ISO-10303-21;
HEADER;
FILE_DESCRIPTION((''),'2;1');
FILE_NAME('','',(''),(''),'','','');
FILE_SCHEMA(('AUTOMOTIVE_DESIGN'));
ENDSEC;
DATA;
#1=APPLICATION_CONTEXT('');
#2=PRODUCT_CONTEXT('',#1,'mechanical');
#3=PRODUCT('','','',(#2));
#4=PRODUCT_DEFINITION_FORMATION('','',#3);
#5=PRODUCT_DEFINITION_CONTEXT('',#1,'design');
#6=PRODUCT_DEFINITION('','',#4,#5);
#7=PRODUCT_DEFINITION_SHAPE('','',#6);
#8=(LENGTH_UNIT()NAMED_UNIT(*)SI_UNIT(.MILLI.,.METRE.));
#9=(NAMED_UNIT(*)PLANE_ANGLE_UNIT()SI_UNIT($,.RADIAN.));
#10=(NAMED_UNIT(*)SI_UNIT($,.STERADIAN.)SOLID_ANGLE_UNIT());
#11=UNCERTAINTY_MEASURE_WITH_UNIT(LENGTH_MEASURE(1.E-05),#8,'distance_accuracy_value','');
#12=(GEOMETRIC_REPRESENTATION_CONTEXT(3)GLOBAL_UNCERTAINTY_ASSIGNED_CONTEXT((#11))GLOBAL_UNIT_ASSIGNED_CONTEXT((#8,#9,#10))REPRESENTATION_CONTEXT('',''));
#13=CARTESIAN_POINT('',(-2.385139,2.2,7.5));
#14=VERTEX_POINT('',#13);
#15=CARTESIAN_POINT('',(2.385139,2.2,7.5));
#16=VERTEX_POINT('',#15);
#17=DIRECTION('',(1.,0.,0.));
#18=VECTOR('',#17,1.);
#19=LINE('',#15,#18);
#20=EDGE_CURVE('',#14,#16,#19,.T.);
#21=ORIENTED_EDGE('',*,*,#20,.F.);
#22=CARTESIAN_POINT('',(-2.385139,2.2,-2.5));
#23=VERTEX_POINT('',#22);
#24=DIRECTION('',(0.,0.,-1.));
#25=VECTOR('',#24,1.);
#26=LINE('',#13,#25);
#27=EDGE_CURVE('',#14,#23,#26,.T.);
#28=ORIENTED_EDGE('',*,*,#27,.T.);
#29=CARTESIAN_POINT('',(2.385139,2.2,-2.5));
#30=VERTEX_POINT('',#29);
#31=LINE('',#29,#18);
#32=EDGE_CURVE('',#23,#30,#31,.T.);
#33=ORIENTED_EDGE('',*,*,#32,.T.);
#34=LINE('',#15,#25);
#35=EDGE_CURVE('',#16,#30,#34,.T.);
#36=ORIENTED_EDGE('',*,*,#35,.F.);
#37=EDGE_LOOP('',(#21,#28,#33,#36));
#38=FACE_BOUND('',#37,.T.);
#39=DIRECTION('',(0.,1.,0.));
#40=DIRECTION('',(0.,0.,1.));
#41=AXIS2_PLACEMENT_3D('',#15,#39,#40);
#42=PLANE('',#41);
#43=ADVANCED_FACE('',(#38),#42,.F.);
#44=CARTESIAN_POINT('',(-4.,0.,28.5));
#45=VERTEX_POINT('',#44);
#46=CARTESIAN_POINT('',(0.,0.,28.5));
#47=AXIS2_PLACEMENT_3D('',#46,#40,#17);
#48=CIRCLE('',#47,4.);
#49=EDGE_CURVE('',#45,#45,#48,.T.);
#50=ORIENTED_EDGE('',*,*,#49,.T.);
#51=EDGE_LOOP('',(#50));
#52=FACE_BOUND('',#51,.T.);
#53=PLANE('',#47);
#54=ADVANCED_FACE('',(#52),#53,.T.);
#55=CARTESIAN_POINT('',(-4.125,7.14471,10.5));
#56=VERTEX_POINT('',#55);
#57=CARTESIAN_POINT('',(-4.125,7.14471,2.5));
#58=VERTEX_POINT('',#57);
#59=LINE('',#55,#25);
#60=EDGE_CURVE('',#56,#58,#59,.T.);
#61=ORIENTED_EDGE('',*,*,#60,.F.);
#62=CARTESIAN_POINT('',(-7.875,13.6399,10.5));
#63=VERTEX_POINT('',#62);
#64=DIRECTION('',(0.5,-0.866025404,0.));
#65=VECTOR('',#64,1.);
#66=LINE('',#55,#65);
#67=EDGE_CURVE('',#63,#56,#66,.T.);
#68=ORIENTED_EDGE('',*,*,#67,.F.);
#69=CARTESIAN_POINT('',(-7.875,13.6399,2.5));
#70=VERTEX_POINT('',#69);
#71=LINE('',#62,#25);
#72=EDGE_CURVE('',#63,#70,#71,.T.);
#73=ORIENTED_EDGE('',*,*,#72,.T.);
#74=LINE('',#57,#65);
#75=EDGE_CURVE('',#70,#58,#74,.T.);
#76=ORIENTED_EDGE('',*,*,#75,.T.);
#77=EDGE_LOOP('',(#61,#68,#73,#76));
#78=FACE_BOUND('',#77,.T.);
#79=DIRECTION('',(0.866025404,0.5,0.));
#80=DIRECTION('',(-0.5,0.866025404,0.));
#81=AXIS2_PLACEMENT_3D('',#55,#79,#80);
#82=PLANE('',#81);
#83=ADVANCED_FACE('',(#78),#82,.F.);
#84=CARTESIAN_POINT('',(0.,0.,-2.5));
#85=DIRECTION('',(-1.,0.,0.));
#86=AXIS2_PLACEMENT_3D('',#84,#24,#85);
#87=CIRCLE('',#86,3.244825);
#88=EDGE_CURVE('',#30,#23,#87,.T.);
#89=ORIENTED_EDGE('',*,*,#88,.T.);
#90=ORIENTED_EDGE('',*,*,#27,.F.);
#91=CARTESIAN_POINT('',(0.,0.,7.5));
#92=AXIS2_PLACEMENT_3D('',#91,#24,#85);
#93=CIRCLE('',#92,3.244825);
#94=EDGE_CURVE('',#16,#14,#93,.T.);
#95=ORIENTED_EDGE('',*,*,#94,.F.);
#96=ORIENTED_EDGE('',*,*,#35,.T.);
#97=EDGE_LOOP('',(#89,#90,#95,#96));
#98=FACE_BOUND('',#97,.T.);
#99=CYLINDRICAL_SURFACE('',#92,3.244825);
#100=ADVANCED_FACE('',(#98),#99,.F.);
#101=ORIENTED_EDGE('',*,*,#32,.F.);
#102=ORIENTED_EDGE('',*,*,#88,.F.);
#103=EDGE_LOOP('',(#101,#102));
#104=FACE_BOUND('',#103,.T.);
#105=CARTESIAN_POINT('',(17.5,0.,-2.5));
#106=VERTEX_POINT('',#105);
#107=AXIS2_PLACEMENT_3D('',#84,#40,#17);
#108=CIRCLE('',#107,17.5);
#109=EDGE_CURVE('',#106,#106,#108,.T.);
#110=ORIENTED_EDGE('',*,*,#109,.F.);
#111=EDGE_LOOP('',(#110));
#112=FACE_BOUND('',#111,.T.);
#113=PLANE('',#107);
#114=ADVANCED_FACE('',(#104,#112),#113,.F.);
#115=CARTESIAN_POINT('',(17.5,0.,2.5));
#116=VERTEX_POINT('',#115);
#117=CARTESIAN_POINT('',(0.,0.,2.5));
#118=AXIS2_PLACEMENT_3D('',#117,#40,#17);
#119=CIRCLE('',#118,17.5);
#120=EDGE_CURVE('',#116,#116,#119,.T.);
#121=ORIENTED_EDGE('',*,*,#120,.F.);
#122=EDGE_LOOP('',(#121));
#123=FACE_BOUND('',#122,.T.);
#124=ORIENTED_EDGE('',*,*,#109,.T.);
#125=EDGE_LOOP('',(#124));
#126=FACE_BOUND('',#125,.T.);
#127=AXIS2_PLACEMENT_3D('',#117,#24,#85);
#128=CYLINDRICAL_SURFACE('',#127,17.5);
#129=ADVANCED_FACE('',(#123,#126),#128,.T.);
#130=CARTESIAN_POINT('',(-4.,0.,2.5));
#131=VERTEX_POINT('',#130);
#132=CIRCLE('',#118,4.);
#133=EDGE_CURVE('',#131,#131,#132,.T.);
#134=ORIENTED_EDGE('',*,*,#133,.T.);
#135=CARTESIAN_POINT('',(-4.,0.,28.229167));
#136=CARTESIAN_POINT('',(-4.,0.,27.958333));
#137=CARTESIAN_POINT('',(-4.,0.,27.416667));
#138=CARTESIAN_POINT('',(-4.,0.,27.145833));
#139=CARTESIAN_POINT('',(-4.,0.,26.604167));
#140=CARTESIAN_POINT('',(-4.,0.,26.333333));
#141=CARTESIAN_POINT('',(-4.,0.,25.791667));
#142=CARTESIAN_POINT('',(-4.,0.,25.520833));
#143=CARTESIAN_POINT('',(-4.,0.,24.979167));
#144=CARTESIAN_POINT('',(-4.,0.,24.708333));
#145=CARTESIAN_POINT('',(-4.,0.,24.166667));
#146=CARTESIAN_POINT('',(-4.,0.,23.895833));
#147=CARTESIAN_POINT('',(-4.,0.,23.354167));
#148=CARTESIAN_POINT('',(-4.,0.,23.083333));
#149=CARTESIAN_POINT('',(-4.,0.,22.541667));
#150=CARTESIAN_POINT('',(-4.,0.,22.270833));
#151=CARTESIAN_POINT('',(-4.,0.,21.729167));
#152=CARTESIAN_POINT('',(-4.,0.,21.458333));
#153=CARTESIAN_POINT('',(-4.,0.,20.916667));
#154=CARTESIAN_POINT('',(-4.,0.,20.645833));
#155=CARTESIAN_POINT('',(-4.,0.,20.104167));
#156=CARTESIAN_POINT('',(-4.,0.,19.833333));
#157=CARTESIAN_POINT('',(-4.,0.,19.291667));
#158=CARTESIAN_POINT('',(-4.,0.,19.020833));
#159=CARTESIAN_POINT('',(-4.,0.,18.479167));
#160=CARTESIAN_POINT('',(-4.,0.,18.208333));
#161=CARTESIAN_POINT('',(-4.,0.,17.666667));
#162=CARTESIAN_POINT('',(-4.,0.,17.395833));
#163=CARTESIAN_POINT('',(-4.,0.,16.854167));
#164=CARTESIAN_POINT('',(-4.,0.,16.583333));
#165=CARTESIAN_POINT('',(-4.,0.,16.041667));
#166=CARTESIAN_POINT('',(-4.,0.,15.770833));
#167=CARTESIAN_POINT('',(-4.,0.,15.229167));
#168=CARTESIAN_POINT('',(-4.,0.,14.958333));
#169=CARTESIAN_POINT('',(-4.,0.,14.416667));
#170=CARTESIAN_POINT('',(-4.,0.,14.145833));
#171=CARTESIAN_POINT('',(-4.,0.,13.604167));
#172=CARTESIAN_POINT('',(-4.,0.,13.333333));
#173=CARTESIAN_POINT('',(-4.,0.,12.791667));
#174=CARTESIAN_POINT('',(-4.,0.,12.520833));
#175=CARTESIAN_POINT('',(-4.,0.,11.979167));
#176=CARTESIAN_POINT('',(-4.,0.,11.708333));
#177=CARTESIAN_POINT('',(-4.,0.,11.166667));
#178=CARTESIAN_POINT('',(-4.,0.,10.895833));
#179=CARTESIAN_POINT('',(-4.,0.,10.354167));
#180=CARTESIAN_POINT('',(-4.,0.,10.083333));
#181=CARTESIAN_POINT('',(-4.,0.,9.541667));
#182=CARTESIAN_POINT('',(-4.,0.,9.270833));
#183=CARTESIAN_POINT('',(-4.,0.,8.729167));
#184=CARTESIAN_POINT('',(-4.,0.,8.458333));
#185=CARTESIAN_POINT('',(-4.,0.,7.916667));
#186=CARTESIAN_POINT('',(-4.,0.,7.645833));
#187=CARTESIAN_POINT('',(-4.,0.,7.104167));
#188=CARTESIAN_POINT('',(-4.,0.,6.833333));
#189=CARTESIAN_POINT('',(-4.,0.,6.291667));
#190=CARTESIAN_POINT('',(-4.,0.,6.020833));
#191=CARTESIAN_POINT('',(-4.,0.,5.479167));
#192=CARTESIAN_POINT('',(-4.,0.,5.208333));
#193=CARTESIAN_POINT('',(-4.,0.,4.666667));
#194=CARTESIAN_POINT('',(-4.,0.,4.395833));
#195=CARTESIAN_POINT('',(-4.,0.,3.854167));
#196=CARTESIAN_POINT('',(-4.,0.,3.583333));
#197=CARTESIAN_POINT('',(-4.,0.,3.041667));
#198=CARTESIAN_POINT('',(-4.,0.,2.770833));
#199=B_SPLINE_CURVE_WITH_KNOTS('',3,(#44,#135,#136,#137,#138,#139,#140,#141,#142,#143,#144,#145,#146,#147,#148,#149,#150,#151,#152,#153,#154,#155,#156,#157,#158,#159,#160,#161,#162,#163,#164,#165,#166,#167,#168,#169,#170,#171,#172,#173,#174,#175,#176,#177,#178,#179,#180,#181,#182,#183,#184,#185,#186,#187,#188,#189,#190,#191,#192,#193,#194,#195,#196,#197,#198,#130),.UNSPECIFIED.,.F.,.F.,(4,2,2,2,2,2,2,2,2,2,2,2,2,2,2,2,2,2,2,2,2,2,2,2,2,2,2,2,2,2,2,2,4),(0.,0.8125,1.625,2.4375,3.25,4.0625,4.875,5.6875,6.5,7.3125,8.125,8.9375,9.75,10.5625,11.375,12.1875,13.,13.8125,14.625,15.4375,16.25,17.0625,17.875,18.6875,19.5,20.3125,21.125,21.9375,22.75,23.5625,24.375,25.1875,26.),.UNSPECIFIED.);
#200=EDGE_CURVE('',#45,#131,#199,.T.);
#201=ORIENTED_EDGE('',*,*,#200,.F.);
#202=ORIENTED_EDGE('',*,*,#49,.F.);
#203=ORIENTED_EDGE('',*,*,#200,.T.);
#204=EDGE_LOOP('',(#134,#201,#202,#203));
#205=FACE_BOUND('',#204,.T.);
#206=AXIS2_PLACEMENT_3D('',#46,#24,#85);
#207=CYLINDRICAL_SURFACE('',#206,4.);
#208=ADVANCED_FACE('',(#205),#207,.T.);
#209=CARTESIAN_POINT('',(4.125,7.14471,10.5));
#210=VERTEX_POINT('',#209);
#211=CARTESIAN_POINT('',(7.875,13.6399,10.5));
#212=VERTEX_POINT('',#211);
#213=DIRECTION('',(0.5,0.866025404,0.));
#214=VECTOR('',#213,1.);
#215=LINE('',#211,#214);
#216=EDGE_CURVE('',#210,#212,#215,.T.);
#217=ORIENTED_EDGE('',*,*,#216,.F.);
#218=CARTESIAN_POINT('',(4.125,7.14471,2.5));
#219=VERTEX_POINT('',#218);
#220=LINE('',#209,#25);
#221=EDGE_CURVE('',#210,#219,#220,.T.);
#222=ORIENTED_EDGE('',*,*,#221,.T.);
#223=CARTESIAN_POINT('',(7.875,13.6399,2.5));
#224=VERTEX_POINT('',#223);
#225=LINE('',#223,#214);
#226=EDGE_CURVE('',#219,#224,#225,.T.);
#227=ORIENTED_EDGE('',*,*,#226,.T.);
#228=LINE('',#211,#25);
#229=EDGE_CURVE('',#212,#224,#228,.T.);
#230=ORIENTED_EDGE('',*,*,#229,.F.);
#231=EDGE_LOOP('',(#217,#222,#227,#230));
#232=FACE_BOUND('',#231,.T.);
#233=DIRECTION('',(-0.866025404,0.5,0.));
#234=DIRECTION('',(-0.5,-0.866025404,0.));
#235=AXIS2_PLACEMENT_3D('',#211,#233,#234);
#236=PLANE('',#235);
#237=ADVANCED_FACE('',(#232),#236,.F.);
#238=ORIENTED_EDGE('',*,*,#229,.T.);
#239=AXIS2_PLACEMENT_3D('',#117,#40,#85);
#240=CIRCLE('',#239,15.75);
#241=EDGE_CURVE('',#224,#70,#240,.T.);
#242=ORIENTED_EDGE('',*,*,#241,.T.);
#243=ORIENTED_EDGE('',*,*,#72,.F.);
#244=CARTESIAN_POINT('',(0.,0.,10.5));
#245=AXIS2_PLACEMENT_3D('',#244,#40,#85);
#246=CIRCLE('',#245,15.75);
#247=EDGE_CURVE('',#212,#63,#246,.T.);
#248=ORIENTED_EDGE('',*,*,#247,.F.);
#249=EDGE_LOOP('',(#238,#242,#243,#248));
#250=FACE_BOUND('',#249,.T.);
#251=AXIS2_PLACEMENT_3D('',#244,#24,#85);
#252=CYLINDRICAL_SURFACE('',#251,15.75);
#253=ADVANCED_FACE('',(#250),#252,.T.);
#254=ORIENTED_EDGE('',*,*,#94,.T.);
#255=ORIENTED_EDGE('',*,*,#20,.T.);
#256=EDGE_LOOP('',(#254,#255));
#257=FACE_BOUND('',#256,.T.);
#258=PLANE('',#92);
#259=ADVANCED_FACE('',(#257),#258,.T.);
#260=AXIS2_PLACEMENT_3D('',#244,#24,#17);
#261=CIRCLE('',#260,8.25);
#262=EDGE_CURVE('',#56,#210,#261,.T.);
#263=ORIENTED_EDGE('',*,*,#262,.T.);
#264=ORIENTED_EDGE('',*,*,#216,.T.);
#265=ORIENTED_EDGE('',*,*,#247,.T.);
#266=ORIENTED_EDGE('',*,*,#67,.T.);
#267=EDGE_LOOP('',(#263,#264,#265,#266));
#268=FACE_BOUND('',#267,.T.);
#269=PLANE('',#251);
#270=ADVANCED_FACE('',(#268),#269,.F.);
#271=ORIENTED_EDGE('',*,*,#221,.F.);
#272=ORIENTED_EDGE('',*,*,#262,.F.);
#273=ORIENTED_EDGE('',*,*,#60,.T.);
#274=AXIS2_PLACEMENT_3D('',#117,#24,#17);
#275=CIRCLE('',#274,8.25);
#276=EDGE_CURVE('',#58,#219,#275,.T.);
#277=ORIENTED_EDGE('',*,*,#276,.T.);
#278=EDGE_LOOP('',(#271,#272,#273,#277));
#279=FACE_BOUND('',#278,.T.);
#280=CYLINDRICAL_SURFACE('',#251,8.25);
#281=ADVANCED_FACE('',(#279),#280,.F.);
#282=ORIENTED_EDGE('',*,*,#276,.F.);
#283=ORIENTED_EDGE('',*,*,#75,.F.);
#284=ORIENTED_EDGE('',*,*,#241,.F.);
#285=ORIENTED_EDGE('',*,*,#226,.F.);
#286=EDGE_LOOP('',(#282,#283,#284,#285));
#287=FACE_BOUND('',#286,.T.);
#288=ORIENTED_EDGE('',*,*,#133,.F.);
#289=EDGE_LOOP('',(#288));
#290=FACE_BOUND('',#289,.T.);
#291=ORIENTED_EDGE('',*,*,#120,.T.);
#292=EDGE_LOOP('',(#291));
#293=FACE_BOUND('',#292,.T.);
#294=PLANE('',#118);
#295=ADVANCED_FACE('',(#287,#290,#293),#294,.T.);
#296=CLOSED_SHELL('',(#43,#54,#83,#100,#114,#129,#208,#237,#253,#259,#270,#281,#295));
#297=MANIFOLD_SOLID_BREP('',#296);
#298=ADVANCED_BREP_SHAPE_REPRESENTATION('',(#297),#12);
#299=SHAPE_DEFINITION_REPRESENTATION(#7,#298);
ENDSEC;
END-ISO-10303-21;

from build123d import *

# Parameters (mm, degrees)
SKETCH1_R           = 17.5
BOSS_EXTRUDE1_DEPTH = 2.5
BOSS_EXTRUDE2_DEPTH = 8
SKETCH3_R           = 4
BOSS_EXTRUDE3_DEPTH = 26
CUT_EXTRUDE1_DEPTH  = 10


with BuildPart() as part:
    # Sketch1 → Boss-Extrude1 (new, symmetric)
    with BuildSketch(Plane.XY):
        Circle(SKETCH1_R)
    extrude(amount=BOSS_EXTRUDE1_DEPTH, both=True)

    # Sketch2 → Boss-Extrude2 (add)
    with BuildSketch(Plane.XY.offset(2.5)):
        with BuildLine():
            Line((7.875, 13.63990011), (4.125, 7.144709581))
            ThreePointArc((4.125, 7.144709581), (0, 8.25), (-4.125, 7.144709581))
            Line((-4.125, 7.144709581), (-7.875, 13.63990011))
            ThreePointArc((-7.875, 13.63990011), (0, 15.75), (7.875, 13.63990011))
        make_face()
    extrude(amount=BOSS_EXTRUDE2_DEPTH)

    # Sketch3 → Boss-Extrude3 (add)
    with BuildSketch(Plane.XY.offset(2.5)):
        with Locations(Location((0, 0, 0), (0, 0, 180))):
            Circle(SKETCH3_R)
    extrude(amount=BOSS_EXTRUDE3_DEPTH)

    # Sketch4 → Cut-Extrude1 (cut)
    with BuildSketch(Plane(origin=(0, 0, -2.5), x_dir=(-1, 0, 0), z_dir=(0, 0, -1))):
        with BuildLine():
            Line((-2.385139176, 2.2), (2.385139176, 2.2))
            ThreePointArc((2.385139176, 2.2), (0, -3.24482494), (-2.385139176, 2.2))
        make_face()
    extrude(amount=-CUT_EXTRUDE1_DEPTH, mode=Mode.SUBTRACT)


solid = part.part
